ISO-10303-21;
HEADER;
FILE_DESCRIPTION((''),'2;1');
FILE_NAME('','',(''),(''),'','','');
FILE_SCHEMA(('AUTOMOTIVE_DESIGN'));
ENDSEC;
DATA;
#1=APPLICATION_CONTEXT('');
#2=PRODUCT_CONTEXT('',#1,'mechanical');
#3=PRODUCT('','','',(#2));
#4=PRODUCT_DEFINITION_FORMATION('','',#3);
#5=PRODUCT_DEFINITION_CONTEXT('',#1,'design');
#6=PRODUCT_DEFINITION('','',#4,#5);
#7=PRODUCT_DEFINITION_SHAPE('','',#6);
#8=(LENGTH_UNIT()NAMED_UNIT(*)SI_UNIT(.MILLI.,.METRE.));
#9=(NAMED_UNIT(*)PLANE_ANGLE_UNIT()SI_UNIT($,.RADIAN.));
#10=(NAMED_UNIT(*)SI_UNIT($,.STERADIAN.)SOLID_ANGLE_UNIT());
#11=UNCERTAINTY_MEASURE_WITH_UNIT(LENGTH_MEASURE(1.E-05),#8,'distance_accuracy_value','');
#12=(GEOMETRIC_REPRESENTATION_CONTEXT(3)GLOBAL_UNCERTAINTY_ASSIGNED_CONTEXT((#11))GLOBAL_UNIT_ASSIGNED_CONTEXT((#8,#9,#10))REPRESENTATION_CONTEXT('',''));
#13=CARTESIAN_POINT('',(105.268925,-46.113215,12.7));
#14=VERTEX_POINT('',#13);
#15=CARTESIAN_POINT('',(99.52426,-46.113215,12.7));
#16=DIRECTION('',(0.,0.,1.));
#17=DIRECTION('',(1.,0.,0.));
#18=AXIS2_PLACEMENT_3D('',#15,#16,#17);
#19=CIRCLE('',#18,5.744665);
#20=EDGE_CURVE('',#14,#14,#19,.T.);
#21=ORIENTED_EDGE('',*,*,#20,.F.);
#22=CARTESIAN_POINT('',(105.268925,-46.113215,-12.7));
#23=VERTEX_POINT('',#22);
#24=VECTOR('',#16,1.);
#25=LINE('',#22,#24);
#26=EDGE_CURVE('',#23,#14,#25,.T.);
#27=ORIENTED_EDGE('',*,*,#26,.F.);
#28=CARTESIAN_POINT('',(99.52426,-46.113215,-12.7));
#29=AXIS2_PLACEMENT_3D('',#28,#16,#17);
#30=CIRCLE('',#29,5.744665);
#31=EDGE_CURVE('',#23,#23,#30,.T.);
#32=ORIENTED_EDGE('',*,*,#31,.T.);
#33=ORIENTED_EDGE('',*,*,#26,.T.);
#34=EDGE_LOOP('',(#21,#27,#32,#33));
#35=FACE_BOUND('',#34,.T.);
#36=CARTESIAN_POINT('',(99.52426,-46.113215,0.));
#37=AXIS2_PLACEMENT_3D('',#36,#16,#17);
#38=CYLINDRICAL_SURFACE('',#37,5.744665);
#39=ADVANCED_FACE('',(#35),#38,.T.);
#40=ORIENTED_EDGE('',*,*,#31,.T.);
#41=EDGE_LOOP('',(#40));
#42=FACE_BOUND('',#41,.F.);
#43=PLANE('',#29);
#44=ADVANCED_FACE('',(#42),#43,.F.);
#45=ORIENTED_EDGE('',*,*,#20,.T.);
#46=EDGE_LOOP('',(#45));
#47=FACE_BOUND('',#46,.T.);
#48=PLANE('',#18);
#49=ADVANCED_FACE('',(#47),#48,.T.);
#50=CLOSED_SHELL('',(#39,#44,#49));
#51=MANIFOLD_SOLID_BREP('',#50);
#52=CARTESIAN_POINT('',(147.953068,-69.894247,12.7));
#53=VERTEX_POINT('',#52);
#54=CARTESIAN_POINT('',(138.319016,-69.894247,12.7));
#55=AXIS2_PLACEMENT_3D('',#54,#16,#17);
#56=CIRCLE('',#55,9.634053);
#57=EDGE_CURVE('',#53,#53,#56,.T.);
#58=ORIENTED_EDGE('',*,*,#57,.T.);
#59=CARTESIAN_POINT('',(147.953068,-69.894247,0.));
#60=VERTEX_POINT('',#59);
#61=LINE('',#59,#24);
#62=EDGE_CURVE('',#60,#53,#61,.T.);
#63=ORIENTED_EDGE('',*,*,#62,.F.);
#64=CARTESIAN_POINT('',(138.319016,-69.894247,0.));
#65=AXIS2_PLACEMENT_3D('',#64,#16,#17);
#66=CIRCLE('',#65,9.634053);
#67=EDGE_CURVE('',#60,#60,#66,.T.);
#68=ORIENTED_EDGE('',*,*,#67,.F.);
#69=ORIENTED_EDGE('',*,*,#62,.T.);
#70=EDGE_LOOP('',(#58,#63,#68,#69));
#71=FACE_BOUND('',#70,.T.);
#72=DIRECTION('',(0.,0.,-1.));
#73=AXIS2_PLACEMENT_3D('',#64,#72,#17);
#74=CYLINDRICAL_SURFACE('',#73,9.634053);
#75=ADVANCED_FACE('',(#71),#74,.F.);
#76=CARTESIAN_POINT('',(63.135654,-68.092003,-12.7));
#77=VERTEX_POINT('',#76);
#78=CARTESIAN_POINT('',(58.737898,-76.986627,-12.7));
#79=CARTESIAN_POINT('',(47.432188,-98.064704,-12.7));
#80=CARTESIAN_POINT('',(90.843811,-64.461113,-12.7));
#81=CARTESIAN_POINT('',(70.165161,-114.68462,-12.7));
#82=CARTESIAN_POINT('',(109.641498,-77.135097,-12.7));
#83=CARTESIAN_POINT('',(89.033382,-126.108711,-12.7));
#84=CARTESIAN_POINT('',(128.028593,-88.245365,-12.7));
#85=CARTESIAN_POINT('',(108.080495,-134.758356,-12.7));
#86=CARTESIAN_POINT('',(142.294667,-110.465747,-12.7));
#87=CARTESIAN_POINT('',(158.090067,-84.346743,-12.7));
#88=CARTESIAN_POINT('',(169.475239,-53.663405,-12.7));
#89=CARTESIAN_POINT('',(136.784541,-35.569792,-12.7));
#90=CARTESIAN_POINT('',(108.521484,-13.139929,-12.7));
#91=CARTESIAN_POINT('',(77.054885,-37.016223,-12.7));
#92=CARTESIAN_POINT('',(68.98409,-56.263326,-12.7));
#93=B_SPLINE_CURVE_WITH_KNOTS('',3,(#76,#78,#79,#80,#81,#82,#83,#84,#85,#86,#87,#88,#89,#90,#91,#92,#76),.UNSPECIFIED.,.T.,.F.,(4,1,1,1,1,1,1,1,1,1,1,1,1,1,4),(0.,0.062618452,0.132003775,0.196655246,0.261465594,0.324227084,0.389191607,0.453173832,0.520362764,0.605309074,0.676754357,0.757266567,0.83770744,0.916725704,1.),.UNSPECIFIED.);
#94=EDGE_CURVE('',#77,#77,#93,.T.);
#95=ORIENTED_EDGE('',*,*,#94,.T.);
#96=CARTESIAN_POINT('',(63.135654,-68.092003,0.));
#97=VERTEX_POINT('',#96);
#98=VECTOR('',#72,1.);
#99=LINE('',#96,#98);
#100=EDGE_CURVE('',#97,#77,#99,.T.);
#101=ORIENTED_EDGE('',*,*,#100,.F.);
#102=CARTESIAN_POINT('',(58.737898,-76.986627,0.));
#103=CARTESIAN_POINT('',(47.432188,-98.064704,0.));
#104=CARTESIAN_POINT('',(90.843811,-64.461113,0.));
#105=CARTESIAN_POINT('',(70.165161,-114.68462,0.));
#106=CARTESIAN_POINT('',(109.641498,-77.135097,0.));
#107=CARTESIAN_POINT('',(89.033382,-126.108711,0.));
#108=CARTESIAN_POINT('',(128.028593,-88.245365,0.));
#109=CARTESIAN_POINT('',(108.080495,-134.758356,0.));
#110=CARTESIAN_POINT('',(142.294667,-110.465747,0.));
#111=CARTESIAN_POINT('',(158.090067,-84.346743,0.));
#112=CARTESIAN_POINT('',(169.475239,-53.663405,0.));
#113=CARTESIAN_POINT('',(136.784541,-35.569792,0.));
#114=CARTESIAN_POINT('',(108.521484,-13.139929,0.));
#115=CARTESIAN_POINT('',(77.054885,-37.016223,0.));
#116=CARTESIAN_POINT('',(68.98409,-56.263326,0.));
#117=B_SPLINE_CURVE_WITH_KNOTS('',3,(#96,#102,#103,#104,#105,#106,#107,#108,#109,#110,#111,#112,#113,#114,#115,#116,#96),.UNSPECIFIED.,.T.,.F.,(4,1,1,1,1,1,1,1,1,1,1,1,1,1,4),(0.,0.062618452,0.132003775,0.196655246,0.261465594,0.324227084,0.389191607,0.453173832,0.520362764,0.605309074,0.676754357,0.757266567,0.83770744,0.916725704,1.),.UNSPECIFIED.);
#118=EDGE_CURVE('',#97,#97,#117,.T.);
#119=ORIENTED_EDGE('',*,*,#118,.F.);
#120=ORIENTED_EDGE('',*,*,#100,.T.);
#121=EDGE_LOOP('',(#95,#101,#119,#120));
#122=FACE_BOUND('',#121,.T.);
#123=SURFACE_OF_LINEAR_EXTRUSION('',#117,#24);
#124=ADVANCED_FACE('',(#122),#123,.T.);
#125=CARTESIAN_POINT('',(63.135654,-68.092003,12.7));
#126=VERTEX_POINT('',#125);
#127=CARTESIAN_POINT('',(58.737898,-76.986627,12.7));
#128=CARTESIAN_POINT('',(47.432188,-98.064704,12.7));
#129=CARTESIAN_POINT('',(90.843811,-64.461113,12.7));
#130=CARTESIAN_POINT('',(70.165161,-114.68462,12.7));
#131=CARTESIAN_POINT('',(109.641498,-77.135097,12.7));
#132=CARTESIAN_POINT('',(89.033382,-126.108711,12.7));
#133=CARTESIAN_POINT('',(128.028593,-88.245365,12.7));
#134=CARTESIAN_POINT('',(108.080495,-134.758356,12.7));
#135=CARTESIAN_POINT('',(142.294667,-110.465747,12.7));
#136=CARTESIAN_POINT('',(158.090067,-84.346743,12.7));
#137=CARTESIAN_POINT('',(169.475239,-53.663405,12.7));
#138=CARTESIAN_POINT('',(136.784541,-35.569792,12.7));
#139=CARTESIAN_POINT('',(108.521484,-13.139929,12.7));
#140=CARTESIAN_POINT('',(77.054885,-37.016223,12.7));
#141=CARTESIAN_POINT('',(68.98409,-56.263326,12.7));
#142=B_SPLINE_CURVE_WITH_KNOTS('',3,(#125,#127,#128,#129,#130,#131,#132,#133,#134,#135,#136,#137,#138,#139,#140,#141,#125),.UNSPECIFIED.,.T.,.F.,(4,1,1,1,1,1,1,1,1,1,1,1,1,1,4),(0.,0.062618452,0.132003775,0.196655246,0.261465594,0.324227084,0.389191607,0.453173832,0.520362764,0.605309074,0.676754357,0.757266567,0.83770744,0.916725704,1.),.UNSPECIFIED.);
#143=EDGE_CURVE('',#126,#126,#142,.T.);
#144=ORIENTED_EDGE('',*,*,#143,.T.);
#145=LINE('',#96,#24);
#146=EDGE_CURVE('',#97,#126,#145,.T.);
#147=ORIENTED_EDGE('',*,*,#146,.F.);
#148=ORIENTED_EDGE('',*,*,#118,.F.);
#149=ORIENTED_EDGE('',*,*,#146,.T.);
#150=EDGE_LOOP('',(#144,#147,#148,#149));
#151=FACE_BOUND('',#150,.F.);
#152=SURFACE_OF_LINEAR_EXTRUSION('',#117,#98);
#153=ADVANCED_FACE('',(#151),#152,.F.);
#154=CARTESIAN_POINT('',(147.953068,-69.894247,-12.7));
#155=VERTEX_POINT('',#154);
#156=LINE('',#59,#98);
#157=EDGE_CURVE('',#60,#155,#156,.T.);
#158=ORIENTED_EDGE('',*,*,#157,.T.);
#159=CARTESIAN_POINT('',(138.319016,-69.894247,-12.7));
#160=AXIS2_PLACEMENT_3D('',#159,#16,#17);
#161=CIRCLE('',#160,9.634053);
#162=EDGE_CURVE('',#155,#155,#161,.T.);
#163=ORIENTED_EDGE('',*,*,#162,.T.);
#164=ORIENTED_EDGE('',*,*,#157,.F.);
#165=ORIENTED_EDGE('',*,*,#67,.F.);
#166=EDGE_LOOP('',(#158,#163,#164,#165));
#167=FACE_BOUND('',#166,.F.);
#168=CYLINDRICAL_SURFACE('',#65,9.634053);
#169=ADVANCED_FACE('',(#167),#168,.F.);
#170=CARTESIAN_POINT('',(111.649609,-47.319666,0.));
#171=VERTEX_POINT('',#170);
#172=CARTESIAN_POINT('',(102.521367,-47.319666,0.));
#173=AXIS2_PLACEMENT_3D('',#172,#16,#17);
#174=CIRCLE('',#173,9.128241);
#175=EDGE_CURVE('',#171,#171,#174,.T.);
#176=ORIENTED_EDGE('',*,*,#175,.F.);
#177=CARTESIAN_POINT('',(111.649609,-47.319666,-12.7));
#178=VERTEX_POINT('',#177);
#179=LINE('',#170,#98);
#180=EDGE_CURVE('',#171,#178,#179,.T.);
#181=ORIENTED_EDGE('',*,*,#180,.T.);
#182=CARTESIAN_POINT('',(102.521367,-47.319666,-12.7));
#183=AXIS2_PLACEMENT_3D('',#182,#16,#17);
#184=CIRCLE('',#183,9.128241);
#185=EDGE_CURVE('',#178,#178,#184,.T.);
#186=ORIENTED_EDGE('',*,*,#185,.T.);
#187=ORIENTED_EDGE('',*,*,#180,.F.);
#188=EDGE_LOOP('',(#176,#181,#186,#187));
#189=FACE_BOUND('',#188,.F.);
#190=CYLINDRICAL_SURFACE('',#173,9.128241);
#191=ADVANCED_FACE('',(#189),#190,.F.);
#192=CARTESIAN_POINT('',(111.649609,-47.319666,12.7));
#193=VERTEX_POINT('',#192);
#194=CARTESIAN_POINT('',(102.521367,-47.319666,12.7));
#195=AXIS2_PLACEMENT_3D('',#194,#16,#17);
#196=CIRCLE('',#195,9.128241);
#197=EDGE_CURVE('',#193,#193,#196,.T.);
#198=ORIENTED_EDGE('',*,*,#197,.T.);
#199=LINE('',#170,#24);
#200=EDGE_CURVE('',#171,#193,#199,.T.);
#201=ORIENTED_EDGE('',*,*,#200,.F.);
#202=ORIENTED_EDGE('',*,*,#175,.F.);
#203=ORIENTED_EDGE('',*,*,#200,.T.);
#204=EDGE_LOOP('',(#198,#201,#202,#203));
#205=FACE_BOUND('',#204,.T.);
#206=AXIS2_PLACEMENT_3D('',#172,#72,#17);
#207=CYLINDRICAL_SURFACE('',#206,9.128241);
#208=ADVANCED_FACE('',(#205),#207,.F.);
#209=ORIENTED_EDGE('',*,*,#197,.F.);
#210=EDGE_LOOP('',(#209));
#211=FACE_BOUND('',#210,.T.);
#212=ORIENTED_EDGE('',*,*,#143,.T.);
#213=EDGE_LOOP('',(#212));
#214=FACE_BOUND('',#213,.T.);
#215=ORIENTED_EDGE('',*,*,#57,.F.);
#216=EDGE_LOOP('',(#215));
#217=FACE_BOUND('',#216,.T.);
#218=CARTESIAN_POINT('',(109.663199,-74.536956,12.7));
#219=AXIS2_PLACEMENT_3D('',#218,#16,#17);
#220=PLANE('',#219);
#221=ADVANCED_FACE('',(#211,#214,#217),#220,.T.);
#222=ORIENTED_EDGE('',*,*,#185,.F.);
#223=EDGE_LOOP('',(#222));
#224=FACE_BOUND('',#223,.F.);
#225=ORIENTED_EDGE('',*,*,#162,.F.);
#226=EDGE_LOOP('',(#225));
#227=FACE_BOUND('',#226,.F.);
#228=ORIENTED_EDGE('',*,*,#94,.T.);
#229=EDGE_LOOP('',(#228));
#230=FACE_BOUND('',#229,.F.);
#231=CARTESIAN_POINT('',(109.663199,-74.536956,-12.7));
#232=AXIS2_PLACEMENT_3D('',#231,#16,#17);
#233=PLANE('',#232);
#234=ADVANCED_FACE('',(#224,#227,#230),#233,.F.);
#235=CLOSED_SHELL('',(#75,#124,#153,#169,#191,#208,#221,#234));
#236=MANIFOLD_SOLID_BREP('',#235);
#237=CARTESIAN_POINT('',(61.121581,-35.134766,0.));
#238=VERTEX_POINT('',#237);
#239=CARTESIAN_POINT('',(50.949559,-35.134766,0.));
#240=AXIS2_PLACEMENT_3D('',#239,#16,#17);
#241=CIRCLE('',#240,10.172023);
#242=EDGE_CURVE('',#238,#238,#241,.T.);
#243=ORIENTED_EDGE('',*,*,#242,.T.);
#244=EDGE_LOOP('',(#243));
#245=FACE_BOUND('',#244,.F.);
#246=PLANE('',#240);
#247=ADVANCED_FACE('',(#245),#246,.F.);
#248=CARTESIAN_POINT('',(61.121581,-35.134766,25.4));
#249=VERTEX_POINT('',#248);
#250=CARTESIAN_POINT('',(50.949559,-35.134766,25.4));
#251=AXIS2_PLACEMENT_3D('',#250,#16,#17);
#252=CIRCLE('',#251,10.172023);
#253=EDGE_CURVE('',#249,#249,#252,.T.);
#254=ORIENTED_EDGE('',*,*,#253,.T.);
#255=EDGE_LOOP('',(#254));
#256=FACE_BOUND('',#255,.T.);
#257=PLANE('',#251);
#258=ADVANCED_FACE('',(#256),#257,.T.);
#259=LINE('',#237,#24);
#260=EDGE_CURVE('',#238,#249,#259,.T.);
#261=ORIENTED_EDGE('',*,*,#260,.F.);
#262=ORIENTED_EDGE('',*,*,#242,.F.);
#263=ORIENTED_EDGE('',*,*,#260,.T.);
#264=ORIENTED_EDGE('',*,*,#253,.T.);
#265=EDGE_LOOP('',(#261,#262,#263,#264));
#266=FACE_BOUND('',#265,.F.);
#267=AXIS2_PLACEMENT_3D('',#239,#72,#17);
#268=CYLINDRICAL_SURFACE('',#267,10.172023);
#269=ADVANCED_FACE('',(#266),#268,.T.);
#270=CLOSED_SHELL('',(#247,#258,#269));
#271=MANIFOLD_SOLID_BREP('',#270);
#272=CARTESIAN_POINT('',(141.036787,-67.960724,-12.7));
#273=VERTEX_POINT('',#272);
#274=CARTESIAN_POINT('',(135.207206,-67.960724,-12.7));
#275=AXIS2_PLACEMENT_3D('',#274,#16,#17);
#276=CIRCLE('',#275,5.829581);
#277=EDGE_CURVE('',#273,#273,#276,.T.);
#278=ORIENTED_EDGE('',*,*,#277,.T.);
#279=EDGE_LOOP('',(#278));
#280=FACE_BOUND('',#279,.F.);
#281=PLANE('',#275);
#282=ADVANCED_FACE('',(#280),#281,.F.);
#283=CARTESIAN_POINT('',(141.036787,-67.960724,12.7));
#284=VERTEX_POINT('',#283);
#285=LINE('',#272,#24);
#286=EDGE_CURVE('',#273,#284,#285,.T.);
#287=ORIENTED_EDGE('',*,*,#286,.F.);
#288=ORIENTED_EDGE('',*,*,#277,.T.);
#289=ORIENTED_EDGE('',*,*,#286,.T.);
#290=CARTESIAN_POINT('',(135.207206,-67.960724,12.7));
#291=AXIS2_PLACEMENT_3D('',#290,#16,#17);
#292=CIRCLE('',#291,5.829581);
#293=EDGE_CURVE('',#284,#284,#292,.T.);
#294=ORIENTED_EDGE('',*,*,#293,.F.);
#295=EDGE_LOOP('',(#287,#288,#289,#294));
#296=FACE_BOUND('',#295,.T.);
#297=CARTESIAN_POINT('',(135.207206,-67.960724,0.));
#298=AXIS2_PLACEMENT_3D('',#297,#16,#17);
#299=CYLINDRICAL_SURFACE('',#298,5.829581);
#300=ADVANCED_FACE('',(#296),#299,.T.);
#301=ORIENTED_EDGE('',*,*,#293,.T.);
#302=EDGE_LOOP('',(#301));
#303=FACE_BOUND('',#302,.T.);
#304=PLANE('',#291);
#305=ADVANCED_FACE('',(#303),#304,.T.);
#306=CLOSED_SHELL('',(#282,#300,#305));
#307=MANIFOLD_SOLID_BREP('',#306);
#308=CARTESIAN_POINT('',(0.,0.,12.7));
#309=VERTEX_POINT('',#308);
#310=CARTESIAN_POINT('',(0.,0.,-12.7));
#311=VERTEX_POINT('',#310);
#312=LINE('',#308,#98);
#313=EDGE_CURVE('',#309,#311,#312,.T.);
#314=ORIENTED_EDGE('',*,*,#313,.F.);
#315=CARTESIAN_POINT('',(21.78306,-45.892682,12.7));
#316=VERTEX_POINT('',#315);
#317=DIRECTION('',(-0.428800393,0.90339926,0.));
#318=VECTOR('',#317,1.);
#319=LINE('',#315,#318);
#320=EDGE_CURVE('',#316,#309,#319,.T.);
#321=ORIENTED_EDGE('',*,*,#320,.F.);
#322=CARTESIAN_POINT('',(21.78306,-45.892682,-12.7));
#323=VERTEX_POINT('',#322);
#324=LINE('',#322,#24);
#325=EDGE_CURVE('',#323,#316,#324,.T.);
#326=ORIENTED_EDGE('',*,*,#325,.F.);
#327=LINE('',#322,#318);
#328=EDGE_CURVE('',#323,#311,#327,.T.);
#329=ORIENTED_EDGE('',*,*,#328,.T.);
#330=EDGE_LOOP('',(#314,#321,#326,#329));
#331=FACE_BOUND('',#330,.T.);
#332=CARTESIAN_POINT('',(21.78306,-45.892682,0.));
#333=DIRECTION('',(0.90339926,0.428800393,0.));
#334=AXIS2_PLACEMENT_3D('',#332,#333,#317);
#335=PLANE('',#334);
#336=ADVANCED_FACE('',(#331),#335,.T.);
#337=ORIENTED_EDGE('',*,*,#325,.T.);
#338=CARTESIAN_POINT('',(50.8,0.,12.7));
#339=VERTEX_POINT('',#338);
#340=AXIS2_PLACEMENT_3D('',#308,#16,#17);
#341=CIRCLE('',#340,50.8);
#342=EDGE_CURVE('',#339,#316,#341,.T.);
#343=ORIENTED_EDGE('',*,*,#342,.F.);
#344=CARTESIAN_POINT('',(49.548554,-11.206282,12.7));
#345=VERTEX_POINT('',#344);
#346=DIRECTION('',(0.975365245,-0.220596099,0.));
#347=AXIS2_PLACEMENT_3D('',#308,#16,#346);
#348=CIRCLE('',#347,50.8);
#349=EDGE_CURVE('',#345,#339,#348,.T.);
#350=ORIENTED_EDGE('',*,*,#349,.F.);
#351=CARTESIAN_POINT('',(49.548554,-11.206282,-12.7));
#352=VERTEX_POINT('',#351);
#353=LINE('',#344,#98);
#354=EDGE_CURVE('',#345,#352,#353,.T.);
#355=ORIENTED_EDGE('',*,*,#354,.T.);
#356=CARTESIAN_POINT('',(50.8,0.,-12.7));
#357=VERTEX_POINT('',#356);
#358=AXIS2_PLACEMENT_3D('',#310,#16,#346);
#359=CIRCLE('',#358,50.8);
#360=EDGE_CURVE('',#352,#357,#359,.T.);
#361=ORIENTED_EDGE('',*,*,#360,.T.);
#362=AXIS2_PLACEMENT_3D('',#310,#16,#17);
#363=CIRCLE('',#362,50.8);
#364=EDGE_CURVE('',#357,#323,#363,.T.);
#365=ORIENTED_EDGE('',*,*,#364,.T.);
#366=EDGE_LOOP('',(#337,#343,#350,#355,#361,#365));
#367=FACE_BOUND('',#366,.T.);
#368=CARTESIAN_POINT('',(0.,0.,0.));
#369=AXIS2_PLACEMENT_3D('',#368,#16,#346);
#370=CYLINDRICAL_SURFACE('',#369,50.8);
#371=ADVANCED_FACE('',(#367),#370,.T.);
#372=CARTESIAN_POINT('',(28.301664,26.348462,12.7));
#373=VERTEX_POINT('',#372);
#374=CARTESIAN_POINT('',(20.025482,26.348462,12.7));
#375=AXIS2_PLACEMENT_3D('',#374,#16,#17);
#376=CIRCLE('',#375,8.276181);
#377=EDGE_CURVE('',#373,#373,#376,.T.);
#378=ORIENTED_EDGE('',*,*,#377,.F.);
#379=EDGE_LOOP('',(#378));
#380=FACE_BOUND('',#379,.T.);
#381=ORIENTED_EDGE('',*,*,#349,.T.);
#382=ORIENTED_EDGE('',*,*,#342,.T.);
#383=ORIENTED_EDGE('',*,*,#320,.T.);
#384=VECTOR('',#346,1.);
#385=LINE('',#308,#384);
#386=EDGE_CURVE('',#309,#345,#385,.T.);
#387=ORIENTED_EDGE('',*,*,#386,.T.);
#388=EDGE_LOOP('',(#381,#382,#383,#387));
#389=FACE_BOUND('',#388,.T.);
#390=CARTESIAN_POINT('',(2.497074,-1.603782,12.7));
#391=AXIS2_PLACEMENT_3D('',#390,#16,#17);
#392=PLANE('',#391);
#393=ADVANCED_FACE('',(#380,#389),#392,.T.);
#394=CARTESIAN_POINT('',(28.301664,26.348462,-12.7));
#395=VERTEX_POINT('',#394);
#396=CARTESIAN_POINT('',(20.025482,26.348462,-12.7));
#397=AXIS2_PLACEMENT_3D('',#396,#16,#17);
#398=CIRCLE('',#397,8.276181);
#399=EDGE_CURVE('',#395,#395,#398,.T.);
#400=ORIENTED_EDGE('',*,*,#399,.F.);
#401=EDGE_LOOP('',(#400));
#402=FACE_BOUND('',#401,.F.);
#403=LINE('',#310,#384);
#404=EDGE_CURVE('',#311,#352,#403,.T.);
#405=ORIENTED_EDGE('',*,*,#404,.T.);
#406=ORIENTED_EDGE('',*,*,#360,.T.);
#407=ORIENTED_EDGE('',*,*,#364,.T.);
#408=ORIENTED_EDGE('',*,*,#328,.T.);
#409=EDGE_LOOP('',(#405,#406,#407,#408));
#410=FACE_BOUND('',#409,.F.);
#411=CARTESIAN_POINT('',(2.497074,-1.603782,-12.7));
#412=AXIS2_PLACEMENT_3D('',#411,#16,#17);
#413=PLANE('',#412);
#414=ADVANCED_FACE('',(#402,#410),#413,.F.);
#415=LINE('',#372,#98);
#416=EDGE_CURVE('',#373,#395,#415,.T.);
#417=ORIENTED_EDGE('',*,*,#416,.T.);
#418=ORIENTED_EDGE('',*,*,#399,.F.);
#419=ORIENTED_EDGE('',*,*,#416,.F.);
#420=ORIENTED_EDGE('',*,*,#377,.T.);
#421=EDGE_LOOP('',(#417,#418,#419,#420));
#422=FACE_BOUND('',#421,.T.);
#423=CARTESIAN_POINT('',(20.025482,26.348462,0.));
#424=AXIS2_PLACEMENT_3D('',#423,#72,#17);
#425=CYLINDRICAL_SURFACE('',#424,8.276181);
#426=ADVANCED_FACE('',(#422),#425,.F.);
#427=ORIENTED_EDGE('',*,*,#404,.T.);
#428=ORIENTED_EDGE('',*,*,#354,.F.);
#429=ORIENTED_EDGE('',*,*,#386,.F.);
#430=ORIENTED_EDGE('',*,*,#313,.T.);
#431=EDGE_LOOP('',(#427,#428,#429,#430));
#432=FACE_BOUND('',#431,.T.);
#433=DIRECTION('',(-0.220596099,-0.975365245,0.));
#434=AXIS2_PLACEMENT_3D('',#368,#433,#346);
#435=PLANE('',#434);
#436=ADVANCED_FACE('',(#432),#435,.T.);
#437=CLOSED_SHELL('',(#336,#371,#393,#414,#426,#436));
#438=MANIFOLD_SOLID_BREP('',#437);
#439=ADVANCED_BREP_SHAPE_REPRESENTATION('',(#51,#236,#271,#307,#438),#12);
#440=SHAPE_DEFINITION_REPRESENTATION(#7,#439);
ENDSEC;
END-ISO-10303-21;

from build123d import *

# Parameters (mm, degrees)
F0_R     = 8.2761814563
F1_DEPTH = 12.7
F2_R     = 9.1282412169
F2_R_2   = 9.634052742
F3_DEPTH = 12.7
F2_R_3   = 5.7446651669
F2_R_4   = 5.8295814708
F4_R     = 10.1720228816
F5_DEPTH = 25.4


with BuildPart() as f1:
    # F0 (on Top) → F1 (new body, symmetric)
    with BuildSketch(Plane.XY):
        with BuildLine():
            ThreePointArc((49.5485544479, -11.2062818154), (50.4861692246, -5.6379710024), (50.8, 0))
            ThreePointArc((50.8, 0), (-42.9372766203, 27.1483015387), (21.7830599829, -45.8926823991))
            Line((21.7830599829, -45.8926823991), (0, 0))
            Line((0, 0), (49.5485544479, -11.2062818154))
        make_face()
        with Locations((20.0254824013, 26.3484623283)):
            Circle(F0_R, mode=Mode.SUBTRACT)
    extrude(amount=F1_DEPTH, both=True)


with BuildPart() as f3:
    # F2 (on Top) → F3 (new body, symmetric)
    with BuildSketch(Plane.XY):
        with BuildLine():
            add(Edge.make_bspline(
                [(63.1356537342, -68.0920034647), (58.7378976772, -76.9866267775), (47.4321881834, -98.0647042015), (90.8438114234, -64.4611130528), (70.1651612248, -114.6846199632), (109.6414979806, -77.1350969257), (89.0333824241, -126.1087111208), (128.0285932513, -88.2453645659), (108.0804945716, -134.758355981), (142.294667462, -110.4657466302), (158.0900672165, -84.346742684), (169.4752392955, -53.6634050387), (136.7845407395, -35.56979151), (108.5214840699, -13.1399285917), (77.0548852948, -37.0162228212), (68.9840902556, -56.2633255769), (63.1356537342, -68.0920034647)],
                knots=[0, 0, 0, 0, 0.0626184515, 0.1320037747, 0.1966552464, 0.2614655937, 0.3242270842, 0.3891916074, 0.4531738316, 0.5203627636, 0.6053090744, 0.6767543571, 0.7572665672, 0.8377074397, 0.9167257042, 1, 1, 1, 1], degree=3))
        make_face()
        with Locations((102.5213673711, -47.3196655512)):
            Circle(F2_R, mode=Mode.SUBTRACT)
        with Locations((138.3190155029, -69.894246757)):
            Circle(F2_R_2, mode=Mode.SUBTRACT)
    extrude(amount=F3_DEPTH, both=True)


with BuildPart() as f3b:
    # F2 (on Top) → F3, piece 2 (new body, symmetric)
    with BuildSketch(Plane.XY):
        with Locations((99.5242595673, -46.1132153869)):
            Circle(F2_R_3)
    extrude(amount=F3_DEPTH, both=True)


with BuildPart() as f3c:
    # F2 (on Top) → F3, piece 3 (new body, symmetric)
    with BuildSketch(Plane.XY):
        with Locations((135.2072060108, -67.9607242346)):
            Circle(F2_R_4)
    extrude(amount=F3_DEPTH, both=True)


with BuildPart() as f5:
    # F4 (on Top) → F5 (new body)
    with BuildSketch(Plane.XY):
        with Locations((50.9495586157, -35.1347662508)):
            Circle(F4_R)
    extrude(amount=F5_DEPTH)


solid = Compound([f1.part, f3.part, f3b.part, f3c.part, f5.part])
